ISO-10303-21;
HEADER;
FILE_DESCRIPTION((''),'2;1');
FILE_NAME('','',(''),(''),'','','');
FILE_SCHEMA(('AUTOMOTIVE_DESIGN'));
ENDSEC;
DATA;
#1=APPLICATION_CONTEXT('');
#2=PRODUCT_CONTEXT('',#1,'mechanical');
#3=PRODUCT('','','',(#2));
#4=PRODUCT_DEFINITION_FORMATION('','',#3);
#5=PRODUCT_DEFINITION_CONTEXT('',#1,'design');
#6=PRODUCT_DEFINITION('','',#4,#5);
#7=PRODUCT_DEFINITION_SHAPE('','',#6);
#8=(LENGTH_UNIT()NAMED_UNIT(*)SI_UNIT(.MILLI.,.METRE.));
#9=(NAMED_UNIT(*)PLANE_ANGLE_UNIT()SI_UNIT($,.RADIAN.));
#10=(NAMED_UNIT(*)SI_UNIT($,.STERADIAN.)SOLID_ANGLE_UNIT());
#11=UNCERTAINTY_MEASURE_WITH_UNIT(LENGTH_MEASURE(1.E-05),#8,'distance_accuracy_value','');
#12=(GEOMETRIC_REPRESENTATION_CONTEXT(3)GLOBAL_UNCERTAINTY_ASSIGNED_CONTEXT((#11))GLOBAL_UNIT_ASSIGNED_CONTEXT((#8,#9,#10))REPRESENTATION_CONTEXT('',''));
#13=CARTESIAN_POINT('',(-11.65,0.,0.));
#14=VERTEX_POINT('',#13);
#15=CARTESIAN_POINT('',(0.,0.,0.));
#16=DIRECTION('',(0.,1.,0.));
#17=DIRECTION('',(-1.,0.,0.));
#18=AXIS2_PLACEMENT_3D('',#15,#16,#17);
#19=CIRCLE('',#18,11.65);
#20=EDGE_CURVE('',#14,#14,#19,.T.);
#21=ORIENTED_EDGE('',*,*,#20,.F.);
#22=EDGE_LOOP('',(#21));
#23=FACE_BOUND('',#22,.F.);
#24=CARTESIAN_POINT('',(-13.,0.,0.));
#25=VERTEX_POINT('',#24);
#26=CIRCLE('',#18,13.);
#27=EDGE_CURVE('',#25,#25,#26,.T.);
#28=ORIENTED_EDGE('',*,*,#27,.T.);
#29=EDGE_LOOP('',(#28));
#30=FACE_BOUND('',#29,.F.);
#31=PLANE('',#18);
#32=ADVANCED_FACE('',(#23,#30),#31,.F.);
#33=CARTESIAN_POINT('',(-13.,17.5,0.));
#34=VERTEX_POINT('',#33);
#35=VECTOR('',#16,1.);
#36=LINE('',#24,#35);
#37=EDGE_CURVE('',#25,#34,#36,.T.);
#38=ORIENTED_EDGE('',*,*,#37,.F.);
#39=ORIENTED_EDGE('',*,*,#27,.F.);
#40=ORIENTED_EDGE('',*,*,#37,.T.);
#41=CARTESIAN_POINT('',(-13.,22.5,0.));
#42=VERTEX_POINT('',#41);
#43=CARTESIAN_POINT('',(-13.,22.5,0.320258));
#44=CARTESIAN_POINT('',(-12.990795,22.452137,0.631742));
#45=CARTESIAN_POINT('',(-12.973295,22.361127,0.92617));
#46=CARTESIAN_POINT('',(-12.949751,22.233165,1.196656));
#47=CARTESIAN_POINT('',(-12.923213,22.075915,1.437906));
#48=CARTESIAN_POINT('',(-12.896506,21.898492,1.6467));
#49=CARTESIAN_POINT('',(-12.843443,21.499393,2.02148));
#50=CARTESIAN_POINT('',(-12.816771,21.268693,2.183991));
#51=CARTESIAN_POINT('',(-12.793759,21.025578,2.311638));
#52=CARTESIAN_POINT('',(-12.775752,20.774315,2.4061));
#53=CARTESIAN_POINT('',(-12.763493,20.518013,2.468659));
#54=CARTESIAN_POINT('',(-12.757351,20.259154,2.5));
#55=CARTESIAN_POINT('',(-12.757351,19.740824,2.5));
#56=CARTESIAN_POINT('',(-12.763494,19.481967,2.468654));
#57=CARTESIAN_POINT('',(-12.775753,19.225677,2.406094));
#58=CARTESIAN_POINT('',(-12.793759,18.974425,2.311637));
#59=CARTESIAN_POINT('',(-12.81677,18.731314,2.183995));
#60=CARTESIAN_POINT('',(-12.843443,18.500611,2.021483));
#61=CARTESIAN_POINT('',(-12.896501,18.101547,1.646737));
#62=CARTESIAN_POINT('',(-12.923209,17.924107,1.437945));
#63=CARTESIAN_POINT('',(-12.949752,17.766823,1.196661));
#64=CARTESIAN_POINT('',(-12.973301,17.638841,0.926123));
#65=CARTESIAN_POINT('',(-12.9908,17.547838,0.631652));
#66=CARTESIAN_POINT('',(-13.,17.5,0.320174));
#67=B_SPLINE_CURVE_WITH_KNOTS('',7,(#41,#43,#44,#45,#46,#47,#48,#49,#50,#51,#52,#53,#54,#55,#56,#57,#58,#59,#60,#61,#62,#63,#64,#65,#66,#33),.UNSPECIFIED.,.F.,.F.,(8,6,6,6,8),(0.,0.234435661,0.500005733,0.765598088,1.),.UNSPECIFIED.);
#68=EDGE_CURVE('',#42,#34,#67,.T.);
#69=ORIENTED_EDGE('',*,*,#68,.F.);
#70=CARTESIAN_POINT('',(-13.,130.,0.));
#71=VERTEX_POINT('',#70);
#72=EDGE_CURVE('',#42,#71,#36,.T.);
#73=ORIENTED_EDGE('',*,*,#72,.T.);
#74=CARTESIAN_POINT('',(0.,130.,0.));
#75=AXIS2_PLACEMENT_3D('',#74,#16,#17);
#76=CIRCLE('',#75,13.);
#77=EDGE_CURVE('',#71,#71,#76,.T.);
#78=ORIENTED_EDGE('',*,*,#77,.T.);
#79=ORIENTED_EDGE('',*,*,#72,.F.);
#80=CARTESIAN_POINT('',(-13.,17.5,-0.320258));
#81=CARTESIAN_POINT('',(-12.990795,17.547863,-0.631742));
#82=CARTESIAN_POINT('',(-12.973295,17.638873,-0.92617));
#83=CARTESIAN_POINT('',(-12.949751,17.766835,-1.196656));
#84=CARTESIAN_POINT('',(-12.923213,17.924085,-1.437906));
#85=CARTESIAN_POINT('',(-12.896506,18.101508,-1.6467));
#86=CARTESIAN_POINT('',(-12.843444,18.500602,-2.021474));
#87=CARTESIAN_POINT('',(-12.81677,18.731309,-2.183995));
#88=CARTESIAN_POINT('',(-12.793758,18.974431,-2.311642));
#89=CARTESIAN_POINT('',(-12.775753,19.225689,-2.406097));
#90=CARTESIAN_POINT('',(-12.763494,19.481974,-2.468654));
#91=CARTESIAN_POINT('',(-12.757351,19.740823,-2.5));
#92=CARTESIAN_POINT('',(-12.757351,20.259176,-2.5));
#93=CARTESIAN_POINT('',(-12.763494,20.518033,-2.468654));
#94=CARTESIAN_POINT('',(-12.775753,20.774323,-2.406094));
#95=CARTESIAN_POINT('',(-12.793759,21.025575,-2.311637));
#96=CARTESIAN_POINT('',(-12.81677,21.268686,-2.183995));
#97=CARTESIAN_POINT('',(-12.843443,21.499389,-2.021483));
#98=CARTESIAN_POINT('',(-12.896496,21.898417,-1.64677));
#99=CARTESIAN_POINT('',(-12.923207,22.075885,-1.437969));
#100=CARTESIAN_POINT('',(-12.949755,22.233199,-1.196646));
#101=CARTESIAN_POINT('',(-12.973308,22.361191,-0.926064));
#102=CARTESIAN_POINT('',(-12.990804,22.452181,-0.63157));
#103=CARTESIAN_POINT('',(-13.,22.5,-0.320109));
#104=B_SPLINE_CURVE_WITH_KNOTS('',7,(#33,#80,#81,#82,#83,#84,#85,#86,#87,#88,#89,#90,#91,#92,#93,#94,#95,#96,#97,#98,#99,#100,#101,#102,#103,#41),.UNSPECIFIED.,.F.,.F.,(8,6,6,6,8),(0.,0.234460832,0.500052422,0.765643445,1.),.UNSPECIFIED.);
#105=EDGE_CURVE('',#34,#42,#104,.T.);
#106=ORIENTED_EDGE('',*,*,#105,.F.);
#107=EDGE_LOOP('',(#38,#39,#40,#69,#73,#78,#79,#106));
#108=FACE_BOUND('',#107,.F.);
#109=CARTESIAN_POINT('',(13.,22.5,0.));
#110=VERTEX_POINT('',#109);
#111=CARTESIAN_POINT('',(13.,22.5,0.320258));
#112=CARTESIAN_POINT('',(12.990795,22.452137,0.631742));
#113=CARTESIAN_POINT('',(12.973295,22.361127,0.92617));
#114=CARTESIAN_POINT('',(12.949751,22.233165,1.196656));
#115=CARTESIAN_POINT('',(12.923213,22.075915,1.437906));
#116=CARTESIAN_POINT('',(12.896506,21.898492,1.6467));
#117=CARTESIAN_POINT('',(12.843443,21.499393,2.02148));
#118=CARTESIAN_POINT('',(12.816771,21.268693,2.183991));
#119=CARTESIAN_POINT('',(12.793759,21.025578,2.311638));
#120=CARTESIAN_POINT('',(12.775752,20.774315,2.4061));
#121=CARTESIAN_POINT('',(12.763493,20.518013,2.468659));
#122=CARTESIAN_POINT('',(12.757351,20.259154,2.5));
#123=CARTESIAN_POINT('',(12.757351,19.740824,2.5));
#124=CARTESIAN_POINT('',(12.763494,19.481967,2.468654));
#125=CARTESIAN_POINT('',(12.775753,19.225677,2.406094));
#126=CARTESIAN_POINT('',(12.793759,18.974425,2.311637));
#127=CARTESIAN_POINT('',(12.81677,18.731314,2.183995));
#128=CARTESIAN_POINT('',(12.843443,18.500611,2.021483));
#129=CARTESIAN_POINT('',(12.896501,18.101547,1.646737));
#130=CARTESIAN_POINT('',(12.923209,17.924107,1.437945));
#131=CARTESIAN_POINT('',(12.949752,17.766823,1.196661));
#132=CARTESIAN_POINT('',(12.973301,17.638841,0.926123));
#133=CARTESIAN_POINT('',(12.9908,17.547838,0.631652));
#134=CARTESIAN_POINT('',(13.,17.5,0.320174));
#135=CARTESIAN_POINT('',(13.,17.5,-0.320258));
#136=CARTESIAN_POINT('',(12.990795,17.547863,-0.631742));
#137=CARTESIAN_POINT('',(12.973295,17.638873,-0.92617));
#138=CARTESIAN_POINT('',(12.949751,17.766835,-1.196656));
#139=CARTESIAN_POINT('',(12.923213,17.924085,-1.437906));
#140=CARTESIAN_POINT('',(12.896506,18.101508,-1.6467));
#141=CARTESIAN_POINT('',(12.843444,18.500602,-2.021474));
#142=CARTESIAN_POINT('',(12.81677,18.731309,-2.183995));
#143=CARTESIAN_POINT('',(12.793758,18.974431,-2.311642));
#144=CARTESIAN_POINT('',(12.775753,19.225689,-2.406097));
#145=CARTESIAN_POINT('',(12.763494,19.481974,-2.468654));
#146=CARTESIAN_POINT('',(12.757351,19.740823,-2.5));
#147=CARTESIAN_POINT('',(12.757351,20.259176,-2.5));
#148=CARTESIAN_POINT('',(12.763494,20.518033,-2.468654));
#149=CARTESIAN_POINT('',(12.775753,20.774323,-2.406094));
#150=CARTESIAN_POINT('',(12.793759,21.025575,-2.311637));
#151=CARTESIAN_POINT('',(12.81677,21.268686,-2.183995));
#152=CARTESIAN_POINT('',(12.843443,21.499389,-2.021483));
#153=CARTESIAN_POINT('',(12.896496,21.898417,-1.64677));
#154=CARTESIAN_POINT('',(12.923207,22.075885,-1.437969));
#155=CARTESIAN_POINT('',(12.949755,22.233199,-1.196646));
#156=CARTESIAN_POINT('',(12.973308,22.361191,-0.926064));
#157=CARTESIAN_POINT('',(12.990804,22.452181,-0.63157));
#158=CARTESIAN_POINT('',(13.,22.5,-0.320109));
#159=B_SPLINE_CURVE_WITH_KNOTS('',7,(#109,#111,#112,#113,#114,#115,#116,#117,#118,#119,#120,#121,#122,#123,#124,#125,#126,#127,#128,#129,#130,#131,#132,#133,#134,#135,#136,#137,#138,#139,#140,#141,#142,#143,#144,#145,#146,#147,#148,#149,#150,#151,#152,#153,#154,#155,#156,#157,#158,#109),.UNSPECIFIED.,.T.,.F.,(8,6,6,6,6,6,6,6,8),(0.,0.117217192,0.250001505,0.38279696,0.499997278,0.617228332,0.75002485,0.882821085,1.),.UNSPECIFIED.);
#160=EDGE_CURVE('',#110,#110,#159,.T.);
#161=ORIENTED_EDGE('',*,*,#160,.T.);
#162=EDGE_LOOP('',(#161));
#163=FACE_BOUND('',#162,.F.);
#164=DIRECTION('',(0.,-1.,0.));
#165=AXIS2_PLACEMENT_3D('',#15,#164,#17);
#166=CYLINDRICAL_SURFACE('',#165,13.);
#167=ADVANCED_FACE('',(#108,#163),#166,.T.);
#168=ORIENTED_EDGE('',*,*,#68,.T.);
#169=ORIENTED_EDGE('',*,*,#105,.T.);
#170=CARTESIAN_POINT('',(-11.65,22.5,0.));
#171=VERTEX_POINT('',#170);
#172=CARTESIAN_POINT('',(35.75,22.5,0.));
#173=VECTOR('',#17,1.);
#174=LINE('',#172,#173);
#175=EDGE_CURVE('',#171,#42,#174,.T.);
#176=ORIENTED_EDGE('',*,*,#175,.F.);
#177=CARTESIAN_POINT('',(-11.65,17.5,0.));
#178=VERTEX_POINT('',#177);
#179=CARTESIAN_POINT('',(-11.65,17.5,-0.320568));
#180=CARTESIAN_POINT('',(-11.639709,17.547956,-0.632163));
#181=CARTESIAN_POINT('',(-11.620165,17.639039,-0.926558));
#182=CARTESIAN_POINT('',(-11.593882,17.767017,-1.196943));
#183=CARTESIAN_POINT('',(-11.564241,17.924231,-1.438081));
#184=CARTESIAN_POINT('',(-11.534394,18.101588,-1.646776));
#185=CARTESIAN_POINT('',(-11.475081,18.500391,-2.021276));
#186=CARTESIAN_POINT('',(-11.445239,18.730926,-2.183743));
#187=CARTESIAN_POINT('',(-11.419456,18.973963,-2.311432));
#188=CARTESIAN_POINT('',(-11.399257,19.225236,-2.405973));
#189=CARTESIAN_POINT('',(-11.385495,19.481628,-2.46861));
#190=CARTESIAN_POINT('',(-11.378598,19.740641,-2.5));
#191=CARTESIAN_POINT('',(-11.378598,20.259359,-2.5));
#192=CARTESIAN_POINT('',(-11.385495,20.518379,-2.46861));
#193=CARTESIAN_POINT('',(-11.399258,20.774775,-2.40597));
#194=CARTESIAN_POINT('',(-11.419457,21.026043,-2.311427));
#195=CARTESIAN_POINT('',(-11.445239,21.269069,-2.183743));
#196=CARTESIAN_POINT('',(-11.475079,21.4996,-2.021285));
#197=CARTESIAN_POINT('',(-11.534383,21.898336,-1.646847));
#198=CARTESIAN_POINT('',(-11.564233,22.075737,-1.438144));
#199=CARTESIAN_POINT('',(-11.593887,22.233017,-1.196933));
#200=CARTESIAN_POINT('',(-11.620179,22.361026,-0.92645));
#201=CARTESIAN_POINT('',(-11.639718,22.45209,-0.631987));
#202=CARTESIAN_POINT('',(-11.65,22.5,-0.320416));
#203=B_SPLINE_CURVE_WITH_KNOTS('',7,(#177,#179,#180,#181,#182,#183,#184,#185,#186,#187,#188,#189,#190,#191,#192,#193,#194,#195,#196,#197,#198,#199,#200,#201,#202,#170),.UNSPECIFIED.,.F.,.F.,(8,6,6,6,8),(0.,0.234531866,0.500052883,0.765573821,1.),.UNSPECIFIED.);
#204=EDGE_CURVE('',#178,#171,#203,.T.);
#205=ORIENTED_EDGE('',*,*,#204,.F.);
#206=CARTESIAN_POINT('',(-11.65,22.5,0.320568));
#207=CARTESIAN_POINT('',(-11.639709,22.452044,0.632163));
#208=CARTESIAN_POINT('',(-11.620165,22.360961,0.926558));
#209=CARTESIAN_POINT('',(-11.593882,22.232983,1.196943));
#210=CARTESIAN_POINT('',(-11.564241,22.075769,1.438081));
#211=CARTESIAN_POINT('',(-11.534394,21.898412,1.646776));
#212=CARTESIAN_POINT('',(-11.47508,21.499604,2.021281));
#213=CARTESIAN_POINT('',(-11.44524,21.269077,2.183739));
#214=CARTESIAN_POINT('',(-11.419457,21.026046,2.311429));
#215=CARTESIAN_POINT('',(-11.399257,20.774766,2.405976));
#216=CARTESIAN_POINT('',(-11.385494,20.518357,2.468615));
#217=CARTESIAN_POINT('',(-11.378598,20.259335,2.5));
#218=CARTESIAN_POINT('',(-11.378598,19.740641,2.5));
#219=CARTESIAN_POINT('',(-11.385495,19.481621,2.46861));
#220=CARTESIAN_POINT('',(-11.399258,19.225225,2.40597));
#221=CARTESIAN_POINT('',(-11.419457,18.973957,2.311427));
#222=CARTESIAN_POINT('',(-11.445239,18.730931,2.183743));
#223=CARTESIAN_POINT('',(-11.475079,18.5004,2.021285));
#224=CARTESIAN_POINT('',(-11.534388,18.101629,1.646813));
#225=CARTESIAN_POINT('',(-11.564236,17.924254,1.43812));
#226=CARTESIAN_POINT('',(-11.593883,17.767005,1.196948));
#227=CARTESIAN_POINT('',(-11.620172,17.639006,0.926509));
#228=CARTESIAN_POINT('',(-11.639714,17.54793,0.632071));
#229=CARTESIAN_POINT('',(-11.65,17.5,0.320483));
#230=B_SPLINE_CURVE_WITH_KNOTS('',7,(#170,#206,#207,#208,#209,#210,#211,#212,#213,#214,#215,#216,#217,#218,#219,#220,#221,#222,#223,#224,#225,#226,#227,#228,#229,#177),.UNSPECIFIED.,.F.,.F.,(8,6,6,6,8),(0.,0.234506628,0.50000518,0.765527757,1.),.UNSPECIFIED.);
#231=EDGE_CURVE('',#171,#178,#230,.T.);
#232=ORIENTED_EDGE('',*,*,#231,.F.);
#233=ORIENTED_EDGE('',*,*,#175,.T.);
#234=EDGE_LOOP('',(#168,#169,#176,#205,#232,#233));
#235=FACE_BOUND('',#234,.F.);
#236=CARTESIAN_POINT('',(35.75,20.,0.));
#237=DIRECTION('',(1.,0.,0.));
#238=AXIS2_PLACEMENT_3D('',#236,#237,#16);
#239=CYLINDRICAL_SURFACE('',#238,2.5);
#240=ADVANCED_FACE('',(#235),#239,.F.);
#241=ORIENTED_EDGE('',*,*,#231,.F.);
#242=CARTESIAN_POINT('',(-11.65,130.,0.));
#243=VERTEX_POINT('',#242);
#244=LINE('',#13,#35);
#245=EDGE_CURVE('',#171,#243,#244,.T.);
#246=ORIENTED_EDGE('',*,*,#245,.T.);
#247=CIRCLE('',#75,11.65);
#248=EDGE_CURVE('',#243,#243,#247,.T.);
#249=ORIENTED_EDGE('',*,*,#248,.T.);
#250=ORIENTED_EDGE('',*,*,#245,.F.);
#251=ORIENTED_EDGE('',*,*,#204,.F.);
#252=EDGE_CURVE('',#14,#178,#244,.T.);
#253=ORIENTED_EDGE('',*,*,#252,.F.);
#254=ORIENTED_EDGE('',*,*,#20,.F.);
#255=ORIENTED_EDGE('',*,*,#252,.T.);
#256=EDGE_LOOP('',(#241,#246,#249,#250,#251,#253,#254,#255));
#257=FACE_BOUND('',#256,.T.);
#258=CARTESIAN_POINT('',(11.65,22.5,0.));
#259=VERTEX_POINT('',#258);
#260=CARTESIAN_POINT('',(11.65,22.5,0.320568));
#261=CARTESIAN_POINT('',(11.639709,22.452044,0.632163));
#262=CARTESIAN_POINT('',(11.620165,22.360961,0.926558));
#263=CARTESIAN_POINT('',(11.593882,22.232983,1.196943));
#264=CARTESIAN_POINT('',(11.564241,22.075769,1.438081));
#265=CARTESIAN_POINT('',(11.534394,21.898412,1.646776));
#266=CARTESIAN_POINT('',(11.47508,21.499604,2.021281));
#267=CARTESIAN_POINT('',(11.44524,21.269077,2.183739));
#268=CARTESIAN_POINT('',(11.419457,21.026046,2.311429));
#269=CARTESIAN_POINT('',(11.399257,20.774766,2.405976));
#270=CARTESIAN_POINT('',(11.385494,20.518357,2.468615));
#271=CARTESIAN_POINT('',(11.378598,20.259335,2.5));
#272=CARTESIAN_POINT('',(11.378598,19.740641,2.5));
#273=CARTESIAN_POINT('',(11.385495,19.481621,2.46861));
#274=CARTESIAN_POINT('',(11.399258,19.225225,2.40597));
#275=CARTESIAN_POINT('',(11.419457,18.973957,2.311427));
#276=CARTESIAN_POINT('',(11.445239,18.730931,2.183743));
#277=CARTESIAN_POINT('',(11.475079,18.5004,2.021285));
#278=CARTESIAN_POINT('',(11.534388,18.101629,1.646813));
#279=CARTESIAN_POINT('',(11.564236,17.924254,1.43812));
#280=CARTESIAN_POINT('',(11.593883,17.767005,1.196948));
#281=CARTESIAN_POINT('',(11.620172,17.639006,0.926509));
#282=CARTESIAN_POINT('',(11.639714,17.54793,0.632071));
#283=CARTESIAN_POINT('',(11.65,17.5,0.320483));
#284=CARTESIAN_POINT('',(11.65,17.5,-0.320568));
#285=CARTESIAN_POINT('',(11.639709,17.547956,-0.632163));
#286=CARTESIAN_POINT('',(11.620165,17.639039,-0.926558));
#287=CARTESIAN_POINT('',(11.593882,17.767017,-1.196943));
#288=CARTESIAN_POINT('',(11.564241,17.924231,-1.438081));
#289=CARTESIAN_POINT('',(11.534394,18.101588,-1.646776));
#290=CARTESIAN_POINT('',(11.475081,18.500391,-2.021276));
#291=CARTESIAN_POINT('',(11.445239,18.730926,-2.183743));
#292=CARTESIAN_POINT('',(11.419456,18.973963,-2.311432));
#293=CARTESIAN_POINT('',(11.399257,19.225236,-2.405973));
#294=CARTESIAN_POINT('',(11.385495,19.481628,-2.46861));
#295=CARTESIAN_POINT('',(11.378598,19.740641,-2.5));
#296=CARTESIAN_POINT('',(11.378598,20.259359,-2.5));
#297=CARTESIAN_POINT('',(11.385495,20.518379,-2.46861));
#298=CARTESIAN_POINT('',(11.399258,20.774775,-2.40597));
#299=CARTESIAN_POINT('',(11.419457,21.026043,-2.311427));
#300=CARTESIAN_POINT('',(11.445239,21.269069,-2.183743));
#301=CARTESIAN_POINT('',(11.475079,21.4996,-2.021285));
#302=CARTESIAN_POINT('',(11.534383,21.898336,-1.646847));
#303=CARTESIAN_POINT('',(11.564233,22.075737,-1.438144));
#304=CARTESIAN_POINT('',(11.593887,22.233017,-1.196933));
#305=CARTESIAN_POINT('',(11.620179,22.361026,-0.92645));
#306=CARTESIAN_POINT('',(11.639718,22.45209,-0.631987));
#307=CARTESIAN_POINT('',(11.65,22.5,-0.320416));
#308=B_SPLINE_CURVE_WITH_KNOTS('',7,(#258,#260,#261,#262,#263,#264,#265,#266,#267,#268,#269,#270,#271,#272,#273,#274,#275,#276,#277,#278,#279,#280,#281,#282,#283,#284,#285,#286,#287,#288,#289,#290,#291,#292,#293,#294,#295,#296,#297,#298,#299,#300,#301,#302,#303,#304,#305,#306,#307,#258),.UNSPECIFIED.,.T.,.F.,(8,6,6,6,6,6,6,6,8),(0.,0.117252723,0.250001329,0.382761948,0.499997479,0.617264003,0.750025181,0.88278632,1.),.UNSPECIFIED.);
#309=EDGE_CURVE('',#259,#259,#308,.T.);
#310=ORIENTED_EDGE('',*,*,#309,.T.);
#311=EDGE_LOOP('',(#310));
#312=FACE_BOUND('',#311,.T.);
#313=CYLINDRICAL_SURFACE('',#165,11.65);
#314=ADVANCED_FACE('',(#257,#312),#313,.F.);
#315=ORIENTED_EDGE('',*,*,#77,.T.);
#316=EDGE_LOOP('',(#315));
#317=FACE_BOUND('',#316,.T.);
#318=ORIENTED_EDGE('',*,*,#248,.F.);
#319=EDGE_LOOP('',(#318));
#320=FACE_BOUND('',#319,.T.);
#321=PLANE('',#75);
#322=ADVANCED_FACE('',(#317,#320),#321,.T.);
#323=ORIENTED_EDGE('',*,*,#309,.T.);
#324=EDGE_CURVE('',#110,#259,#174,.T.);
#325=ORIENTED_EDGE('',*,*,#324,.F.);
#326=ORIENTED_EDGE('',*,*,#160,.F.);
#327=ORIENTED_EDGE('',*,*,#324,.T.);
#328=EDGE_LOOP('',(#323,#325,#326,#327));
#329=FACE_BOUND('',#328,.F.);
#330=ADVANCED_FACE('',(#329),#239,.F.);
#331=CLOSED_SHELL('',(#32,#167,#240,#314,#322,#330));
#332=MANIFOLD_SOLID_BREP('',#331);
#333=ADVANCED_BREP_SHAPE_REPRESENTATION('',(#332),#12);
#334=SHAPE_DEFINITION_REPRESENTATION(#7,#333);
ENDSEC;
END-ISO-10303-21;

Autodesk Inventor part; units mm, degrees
ref_plane "XZ Plane" through (0, 0, 0) normal (0, 1, 0) x (-1, 0, 0)
ref_plane "XY Plane" through (0, 0, 0) normal (0, 0, 1) x (1, 0, 0)
sketch "Sketch1" plane through (0, 0, 0) normal (0, 1, 0) x (-1, 0, 0)
  circle A0 centre (0, 0) radius 13
  circle A1 centre (0, 0) radius 11.65
  dimension "d0" = 26
  dimension "d1" = 23.3
extrude "Extrusion1" add sketch "Sketch1" along normal blind 130
ref_plane "Work Plane1" through (35.75, 0, 0) normal (1, 0, 0) x (0, 1, 0)
sketch "Sketch2" plane through (35.75, 0, 0) normal (1, 0, 0) x (0, 1, 0)
  circle A0 centre (20, 0) radius 2.5
  point P0 (0, 0)
extrude "Extrusion2" cut sketch "Sketch2" against normal through all
properties part number "16,5cm"
